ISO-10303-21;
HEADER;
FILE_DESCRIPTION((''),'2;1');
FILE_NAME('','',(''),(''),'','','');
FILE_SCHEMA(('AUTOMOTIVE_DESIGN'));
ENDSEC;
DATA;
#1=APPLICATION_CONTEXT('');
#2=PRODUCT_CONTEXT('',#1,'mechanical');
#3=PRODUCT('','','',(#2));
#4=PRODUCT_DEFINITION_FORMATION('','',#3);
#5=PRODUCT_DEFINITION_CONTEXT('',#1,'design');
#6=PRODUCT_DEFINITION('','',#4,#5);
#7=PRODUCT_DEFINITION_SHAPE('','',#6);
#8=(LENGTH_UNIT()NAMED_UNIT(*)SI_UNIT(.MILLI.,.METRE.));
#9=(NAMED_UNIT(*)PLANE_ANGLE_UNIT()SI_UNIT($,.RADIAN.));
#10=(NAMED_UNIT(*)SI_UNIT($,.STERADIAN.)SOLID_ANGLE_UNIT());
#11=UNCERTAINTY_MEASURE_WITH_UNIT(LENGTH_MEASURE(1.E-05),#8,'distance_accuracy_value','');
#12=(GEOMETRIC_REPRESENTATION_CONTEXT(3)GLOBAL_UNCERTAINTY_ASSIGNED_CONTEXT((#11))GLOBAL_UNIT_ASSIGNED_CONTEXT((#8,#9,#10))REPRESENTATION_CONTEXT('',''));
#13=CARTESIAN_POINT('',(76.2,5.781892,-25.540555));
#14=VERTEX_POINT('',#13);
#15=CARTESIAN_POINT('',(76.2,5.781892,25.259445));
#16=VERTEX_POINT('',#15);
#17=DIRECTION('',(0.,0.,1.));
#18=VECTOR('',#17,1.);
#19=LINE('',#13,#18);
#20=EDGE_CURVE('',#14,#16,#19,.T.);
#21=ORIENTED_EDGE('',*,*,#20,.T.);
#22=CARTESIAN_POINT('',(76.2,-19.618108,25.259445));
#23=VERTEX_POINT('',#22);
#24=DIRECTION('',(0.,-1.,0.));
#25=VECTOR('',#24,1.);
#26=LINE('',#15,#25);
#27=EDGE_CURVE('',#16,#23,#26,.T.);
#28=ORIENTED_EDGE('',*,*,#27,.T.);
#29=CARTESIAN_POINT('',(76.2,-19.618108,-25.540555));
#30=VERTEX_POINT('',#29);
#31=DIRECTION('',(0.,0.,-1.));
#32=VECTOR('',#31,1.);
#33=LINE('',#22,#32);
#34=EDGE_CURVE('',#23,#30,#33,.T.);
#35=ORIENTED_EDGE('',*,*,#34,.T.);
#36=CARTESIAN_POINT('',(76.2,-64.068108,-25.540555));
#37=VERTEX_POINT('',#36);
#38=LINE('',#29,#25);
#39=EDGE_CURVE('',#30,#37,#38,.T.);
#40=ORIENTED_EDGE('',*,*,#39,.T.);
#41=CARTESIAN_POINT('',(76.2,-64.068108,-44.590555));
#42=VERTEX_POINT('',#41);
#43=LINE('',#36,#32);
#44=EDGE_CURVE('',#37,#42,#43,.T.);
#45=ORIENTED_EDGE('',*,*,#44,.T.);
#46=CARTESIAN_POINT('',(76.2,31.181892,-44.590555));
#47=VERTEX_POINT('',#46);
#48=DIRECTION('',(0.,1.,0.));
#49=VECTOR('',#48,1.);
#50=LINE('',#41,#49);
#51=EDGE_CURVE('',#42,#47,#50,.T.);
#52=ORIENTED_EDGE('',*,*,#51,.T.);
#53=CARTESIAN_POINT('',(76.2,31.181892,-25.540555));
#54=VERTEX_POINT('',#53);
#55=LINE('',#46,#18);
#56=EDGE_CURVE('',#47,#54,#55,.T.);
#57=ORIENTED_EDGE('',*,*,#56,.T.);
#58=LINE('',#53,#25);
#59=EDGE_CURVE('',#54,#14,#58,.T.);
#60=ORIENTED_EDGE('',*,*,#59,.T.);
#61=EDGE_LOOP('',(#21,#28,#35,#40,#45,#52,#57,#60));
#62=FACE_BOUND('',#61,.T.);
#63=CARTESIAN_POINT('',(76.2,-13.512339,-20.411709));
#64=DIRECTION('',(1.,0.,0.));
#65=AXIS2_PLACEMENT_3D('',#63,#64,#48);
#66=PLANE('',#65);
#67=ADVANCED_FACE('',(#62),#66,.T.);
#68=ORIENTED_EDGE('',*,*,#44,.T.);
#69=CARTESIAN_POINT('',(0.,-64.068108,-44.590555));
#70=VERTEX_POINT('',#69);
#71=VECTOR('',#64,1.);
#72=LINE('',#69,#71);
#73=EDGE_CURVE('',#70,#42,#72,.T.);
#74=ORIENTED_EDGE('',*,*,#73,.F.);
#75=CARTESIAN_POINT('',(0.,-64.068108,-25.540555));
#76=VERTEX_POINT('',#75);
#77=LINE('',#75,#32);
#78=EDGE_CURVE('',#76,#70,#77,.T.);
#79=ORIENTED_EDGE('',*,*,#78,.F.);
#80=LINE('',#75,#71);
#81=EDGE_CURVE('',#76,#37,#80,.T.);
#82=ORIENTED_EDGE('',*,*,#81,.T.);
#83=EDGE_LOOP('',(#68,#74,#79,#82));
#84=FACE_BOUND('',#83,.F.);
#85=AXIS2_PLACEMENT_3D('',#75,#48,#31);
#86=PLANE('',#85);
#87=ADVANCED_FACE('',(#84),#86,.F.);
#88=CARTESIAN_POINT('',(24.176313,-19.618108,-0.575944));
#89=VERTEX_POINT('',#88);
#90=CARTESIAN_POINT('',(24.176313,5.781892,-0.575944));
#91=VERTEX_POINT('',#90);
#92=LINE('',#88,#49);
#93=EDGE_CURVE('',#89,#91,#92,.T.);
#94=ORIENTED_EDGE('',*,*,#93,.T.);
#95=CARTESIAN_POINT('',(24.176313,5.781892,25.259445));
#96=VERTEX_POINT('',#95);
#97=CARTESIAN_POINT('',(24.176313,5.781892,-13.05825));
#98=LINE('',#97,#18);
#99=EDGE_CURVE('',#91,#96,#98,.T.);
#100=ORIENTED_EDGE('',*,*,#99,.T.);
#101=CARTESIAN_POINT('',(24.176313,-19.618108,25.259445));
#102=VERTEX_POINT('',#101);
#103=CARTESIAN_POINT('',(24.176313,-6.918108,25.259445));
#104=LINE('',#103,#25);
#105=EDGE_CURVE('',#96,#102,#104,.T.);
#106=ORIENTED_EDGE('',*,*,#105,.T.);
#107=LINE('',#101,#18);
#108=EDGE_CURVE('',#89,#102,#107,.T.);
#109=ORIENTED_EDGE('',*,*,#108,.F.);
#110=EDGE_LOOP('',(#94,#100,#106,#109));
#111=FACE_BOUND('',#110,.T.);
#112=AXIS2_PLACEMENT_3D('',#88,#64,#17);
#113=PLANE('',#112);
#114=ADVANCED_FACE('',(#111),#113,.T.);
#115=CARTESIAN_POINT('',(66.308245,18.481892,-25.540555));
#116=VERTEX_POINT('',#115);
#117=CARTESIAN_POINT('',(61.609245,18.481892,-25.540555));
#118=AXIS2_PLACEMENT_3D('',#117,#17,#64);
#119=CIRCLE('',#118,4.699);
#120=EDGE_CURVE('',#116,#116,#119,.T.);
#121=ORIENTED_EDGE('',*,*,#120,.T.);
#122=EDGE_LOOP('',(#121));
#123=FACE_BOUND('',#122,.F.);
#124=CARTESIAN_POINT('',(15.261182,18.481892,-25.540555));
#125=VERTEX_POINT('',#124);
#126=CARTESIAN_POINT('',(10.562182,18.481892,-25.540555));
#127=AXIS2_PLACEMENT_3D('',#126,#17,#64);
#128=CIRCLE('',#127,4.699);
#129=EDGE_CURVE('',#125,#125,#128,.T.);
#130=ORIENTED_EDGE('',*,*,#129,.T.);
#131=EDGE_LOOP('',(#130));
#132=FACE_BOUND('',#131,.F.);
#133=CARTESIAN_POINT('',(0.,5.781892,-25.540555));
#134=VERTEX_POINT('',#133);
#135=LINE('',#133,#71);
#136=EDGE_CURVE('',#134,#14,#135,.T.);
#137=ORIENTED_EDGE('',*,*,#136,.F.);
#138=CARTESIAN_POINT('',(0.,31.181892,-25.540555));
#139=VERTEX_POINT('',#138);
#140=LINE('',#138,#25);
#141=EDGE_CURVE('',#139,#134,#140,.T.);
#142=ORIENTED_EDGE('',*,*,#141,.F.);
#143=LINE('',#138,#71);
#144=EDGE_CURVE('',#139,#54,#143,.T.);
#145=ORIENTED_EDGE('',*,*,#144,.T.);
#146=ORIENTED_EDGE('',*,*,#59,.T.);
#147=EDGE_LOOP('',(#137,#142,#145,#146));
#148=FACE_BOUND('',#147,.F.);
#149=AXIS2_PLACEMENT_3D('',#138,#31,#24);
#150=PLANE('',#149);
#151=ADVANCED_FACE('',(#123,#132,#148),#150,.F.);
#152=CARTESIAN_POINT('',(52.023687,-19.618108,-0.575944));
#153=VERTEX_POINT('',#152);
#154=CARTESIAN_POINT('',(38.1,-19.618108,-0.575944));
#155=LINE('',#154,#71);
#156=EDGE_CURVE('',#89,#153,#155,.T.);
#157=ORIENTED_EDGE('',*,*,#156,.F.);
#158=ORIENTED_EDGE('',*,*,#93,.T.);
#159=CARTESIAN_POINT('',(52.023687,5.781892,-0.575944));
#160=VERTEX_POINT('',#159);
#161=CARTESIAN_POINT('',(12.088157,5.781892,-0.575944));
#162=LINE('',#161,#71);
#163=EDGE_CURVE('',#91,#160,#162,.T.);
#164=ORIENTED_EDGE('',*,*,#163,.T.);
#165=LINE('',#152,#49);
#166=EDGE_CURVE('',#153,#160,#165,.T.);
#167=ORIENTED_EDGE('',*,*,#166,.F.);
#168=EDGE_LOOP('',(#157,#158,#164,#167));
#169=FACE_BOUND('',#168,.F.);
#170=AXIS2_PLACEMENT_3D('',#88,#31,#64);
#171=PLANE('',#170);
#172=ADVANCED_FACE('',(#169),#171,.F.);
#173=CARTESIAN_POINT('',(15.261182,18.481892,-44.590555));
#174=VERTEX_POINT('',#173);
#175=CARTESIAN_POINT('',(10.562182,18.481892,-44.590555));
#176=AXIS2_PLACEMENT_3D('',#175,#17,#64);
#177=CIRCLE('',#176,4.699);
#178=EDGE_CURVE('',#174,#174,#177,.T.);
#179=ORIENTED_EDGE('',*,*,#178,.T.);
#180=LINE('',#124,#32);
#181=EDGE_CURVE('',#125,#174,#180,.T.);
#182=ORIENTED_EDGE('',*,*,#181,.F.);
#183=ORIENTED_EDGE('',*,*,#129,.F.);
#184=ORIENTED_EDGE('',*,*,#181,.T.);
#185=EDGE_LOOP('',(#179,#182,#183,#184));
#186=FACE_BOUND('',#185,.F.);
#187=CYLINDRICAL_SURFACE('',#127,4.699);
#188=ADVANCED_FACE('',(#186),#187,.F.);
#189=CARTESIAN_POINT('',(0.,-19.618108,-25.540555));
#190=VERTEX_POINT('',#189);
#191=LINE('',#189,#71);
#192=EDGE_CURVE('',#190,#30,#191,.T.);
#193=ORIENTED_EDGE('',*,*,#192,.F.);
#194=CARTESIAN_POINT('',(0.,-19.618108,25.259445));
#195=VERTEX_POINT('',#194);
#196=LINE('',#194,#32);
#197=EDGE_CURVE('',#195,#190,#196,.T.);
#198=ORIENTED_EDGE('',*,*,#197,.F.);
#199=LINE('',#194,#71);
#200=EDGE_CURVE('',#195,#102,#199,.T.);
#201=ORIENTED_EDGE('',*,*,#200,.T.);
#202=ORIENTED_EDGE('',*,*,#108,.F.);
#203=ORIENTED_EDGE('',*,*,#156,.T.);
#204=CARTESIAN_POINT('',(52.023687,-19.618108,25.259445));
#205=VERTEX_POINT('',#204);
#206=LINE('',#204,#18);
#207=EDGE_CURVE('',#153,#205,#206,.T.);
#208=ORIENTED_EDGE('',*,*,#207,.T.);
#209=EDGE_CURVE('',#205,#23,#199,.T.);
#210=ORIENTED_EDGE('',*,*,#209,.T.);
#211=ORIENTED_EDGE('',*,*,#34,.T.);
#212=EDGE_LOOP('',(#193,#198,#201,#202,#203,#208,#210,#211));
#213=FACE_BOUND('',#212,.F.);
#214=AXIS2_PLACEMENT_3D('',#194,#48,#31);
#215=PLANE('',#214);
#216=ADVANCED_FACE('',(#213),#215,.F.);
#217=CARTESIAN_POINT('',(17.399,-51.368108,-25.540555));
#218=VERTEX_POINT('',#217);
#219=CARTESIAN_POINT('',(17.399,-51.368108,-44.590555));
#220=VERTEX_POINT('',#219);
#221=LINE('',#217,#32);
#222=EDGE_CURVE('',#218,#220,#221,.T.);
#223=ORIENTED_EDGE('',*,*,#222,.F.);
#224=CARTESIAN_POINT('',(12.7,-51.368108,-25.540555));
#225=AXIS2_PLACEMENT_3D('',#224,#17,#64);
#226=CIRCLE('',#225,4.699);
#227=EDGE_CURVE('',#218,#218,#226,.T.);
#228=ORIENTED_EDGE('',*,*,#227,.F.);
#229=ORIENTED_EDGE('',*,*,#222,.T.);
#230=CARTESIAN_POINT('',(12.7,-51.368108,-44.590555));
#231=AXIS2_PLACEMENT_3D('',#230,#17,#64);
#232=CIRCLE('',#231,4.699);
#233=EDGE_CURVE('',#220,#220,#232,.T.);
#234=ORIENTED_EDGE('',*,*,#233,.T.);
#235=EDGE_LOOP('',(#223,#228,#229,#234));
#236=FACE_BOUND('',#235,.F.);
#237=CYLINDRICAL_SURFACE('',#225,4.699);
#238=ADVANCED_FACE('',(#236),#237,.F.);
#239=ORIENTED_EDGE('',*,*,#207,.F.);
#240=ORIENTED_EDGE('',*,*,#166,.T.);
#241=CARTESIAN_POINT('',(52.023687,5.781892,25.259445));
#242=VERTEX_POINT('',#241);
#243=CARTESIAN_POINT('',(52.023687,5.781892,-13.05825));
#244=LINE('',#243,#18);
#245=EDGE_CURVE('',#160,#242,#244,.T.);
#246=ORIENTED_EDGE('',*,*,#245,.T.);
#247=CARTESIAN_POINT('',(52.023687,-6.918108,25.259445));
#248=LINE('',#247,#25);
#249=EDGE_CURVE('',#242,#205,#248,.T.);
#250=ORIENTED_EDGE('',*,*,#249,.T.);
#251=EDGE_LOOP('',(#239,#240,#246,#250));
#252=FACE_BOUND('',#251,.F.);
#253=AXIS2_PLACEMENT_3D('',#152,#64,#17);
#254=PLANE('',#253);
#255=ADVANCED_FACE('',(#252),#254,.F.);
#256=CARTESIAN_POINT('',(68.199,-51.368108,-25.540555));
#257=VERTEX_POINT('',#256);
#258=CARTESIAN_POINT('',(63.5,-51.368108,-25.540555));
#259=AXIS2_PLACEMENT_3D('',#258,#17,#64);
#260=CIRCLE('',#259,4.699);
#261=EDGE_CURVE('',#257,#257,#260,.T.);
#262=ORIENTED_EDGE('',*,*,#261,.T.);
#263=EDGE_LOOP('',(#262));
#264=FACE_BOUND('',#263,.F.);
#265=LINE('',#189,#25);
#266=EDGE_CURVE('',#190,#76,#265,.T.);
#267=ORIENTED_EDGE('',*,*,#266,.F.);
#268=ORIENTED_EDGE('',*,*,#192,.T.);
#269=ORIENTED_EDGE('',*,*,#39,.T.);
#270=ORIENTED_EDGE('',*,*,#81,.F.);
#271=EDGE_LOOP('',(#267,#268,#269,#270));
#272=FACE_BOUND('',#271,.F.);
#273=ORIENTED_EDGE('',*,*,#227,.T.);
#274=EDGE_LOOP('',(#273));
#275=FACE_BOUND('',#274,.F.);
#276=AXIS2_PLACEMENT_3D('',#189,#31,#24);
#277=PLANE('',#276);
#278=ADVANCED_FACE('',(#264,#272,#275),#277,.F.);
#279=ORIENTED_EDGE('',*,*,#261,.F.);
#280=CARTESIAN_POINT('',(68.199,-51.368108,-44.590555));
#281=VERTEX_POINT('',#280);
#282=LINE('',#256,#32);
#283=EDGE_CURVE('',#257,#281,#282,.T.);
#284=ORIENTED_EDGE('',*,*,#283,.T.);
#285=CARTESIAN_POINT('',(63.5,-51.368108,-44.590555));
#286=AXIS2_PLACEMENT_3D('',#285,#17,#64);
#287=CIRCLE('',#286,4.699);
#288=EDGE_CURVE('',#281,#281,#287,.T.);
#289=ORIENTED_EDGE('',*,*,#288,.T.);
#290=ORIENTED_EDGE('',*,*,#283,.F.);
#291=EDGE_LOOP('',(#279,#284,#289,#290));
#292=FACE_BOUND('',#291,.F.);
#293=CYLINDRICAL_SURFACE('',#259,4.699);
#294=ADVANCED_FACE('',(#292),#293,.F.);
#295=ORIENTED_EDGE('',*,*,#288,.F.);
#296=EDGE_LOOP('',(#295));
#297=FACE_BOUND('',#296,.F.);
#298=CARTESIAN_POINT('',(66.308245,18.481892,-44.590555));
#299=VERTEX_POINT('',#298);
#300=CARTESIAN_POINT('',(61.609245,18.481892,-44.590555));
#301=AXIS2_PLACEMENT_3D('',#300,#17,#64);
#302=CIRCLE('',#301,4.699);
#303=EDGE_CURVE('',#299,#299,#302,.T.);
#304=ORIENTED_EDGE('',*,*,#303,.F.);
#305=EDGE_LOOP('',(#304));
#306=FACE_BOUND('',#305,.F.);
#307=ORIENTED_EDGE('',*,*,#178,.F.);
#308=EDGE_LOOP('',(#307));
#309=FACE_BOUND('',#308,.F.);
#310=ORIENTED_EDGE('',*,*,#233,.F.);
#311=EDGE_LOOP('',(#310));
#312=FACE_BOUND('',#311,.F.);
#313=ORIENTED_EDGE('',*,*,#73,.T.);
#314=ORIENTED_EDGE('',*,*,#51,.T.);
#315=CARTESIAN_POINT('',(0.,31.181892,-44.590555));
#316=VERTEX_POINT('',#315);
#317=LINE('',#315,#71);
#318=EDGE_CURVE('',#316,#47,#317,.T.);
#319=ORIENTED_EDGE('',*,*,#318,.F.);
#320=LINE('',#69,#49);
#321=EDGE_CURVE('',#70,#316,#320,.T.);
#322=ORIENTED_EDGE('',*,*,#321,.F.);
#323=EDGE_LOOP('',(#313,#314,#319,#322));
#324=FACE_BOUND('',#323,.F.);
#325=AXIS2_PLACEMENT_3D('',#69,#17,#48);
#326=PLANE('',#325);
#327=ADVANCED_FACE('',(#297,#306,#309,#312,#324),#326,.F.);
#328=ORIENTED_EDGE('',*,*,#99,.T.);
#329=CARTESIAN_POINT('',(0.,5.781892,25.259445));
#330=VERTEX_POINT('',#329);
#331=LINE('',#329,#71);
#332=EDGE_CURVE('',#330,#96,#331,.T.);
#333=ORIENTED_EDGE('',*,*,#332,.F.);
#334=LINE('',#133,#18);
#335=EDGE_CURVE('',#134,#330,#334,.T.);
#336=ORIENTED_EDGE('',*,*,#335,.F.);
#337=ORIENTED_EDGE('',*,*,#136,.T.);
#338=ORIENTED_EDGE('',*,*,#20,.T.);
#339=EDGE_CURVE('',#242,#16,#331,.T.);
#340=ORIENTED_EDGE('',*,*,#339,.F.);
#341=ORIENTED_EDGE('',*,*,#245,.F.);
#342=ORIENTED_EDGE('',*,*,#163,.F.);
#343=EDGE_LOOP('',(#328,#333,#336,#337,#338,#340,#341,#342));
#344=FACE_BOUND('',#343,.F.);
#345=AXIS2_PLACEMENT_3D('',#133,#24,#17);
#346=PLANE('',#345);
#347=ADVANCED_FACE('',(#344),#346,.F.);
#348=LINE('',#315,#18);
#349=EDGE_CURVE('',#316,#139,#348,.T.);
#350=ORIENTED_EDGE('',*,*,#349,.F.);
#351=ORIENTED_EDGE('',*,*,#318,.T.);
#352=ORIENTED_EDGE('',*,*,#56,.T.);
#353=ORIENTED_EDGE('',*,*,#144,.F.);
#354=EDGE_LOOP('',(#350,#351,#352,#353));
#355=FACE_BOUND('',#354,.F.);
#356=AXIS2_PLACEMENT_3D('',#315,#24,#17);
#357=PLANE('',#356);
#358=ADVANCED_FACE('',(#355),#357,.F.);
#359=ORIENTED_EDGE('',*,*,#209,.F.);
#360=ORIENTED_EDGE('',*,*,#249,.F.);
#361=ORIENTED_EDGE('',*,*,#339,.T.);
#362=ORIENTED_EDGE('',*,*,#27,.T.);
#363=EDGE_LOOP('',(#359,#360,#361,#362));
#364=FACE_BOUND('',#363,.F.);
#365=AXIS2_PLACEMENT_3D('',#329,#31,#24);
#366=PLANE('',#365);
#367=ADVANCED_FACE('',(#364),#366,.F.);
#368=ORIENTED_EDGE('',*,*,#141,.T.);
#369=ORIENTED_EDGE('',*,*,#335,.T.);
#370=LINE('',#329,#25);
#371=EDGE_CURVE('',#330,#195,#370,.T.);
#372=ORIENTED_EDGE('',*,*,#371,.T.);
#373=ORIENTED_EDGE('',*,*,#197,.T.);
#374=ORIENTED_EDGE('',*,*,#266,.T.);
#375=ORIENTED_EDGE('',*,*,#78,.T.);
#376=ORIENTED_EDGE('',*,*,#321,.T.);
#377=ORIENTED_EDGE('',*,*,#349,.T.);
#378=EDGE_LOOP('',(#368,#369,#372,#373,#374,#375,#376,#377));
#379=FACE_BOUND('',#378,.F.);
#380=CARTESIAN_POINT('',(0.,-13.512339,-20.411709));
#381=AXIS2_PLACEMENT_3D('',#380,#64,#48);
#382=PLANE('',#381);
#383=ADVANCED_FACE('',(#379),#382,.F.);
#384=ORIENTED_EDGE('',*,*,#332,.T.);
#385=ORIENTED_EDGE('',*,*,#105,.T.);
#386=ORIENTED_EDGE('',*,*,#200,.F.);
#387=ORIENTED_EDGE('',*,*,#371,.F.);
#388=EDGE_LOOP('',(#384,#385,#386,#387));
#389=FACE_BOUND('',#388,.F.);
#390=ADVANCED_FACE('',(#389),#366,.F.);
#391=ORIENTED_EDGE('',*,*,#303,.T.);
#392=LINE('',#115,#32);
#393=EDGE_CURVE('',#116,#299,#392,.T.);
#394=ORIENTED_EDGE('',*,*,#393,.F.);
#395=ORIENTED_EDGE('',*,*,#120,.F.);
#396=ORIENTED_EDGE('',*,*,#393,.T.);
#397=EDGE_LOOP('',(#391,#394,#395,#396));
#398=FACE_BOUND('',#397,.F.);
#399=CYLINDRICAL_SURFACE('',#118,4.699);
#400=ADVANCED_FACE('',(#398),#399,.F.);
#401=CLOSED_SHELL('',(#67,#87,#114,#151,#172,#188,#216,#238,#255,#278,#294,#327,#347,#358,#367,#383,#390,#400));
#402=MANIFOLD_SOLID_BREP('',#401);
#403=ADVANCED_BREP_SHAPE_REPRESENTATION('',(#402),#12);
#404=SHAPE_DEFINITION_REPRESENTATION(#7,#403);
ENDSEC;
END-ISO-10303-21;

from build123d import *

# Parameters (mm, degrees)
F1_DEPTH = 76.2
F2_W     = 27.847374
F2_H     = 51.670779
F3_DEPTH = 50.801
F4_R     = 4.699
F5_DEPTH = 76.2
F6_DEPTH = 19.051


with BuildPart() as f1:
    # F0 (on Right) → F1 (new body)
    with BuildSketch(Plane.YZ):
        Polygon((-19.618108, -25.540555), (-64.068108, -25.540555), (-64.068108, -44.590555), (31.181892, -44.590555), (31.181892, -25.540555), (5.781892, -25.540555), (5.781892, 25.259445), (-19.618108, 25.259445), align=None)
    extrude(amount=F1_DEPTH)

    # F2 (on face) → F3 (cut, through all)
    with BuildSketch(Plane.XZ.offset(19.618108)):
        with Locations((38.1, 25.259445)):
            Rectangle(F2_W, F2_H)
    extrude(amount=-F3_DEPTH, mode=Mode.SUBTRACT)

    # F4 (on face) → F5 (cut)
    with BuildSketch(Plane.XY.offset(-25.540555)):
        with Locations((12.7, -51.368108)):
            Circle(F4_R)
        with Locations((63.5, -51.368108)):
            Circle(F4_R)
        with Locations((10.562182, 18.481892)):
            Circle(F4_R)
        with Locations((61.609245, 18.481892)):
            Circle(F4_R)
    extrude(amount=F5_DEPTH, mode=Mode.SUBTRACT)

    # F4 (on face) → F6 (cut, through all)
    with BuildSketch(Plane.XY.offset(-25.540555)):
        with Locations((12.7, -51.368108)):
            Circle(F4_R)
        with Locations((63.5, -51.368108)):
            Circle(F4_R)
        with Locations((10.562182, 18.481892)):
            Circle(F4_R)
        with Locations((61.609245, 18.481892)):
            Circle(F4_R)
    extrude(amount=-F6_DEPTH, mode=Mode.SUBTRACT)


solid = f1.part
